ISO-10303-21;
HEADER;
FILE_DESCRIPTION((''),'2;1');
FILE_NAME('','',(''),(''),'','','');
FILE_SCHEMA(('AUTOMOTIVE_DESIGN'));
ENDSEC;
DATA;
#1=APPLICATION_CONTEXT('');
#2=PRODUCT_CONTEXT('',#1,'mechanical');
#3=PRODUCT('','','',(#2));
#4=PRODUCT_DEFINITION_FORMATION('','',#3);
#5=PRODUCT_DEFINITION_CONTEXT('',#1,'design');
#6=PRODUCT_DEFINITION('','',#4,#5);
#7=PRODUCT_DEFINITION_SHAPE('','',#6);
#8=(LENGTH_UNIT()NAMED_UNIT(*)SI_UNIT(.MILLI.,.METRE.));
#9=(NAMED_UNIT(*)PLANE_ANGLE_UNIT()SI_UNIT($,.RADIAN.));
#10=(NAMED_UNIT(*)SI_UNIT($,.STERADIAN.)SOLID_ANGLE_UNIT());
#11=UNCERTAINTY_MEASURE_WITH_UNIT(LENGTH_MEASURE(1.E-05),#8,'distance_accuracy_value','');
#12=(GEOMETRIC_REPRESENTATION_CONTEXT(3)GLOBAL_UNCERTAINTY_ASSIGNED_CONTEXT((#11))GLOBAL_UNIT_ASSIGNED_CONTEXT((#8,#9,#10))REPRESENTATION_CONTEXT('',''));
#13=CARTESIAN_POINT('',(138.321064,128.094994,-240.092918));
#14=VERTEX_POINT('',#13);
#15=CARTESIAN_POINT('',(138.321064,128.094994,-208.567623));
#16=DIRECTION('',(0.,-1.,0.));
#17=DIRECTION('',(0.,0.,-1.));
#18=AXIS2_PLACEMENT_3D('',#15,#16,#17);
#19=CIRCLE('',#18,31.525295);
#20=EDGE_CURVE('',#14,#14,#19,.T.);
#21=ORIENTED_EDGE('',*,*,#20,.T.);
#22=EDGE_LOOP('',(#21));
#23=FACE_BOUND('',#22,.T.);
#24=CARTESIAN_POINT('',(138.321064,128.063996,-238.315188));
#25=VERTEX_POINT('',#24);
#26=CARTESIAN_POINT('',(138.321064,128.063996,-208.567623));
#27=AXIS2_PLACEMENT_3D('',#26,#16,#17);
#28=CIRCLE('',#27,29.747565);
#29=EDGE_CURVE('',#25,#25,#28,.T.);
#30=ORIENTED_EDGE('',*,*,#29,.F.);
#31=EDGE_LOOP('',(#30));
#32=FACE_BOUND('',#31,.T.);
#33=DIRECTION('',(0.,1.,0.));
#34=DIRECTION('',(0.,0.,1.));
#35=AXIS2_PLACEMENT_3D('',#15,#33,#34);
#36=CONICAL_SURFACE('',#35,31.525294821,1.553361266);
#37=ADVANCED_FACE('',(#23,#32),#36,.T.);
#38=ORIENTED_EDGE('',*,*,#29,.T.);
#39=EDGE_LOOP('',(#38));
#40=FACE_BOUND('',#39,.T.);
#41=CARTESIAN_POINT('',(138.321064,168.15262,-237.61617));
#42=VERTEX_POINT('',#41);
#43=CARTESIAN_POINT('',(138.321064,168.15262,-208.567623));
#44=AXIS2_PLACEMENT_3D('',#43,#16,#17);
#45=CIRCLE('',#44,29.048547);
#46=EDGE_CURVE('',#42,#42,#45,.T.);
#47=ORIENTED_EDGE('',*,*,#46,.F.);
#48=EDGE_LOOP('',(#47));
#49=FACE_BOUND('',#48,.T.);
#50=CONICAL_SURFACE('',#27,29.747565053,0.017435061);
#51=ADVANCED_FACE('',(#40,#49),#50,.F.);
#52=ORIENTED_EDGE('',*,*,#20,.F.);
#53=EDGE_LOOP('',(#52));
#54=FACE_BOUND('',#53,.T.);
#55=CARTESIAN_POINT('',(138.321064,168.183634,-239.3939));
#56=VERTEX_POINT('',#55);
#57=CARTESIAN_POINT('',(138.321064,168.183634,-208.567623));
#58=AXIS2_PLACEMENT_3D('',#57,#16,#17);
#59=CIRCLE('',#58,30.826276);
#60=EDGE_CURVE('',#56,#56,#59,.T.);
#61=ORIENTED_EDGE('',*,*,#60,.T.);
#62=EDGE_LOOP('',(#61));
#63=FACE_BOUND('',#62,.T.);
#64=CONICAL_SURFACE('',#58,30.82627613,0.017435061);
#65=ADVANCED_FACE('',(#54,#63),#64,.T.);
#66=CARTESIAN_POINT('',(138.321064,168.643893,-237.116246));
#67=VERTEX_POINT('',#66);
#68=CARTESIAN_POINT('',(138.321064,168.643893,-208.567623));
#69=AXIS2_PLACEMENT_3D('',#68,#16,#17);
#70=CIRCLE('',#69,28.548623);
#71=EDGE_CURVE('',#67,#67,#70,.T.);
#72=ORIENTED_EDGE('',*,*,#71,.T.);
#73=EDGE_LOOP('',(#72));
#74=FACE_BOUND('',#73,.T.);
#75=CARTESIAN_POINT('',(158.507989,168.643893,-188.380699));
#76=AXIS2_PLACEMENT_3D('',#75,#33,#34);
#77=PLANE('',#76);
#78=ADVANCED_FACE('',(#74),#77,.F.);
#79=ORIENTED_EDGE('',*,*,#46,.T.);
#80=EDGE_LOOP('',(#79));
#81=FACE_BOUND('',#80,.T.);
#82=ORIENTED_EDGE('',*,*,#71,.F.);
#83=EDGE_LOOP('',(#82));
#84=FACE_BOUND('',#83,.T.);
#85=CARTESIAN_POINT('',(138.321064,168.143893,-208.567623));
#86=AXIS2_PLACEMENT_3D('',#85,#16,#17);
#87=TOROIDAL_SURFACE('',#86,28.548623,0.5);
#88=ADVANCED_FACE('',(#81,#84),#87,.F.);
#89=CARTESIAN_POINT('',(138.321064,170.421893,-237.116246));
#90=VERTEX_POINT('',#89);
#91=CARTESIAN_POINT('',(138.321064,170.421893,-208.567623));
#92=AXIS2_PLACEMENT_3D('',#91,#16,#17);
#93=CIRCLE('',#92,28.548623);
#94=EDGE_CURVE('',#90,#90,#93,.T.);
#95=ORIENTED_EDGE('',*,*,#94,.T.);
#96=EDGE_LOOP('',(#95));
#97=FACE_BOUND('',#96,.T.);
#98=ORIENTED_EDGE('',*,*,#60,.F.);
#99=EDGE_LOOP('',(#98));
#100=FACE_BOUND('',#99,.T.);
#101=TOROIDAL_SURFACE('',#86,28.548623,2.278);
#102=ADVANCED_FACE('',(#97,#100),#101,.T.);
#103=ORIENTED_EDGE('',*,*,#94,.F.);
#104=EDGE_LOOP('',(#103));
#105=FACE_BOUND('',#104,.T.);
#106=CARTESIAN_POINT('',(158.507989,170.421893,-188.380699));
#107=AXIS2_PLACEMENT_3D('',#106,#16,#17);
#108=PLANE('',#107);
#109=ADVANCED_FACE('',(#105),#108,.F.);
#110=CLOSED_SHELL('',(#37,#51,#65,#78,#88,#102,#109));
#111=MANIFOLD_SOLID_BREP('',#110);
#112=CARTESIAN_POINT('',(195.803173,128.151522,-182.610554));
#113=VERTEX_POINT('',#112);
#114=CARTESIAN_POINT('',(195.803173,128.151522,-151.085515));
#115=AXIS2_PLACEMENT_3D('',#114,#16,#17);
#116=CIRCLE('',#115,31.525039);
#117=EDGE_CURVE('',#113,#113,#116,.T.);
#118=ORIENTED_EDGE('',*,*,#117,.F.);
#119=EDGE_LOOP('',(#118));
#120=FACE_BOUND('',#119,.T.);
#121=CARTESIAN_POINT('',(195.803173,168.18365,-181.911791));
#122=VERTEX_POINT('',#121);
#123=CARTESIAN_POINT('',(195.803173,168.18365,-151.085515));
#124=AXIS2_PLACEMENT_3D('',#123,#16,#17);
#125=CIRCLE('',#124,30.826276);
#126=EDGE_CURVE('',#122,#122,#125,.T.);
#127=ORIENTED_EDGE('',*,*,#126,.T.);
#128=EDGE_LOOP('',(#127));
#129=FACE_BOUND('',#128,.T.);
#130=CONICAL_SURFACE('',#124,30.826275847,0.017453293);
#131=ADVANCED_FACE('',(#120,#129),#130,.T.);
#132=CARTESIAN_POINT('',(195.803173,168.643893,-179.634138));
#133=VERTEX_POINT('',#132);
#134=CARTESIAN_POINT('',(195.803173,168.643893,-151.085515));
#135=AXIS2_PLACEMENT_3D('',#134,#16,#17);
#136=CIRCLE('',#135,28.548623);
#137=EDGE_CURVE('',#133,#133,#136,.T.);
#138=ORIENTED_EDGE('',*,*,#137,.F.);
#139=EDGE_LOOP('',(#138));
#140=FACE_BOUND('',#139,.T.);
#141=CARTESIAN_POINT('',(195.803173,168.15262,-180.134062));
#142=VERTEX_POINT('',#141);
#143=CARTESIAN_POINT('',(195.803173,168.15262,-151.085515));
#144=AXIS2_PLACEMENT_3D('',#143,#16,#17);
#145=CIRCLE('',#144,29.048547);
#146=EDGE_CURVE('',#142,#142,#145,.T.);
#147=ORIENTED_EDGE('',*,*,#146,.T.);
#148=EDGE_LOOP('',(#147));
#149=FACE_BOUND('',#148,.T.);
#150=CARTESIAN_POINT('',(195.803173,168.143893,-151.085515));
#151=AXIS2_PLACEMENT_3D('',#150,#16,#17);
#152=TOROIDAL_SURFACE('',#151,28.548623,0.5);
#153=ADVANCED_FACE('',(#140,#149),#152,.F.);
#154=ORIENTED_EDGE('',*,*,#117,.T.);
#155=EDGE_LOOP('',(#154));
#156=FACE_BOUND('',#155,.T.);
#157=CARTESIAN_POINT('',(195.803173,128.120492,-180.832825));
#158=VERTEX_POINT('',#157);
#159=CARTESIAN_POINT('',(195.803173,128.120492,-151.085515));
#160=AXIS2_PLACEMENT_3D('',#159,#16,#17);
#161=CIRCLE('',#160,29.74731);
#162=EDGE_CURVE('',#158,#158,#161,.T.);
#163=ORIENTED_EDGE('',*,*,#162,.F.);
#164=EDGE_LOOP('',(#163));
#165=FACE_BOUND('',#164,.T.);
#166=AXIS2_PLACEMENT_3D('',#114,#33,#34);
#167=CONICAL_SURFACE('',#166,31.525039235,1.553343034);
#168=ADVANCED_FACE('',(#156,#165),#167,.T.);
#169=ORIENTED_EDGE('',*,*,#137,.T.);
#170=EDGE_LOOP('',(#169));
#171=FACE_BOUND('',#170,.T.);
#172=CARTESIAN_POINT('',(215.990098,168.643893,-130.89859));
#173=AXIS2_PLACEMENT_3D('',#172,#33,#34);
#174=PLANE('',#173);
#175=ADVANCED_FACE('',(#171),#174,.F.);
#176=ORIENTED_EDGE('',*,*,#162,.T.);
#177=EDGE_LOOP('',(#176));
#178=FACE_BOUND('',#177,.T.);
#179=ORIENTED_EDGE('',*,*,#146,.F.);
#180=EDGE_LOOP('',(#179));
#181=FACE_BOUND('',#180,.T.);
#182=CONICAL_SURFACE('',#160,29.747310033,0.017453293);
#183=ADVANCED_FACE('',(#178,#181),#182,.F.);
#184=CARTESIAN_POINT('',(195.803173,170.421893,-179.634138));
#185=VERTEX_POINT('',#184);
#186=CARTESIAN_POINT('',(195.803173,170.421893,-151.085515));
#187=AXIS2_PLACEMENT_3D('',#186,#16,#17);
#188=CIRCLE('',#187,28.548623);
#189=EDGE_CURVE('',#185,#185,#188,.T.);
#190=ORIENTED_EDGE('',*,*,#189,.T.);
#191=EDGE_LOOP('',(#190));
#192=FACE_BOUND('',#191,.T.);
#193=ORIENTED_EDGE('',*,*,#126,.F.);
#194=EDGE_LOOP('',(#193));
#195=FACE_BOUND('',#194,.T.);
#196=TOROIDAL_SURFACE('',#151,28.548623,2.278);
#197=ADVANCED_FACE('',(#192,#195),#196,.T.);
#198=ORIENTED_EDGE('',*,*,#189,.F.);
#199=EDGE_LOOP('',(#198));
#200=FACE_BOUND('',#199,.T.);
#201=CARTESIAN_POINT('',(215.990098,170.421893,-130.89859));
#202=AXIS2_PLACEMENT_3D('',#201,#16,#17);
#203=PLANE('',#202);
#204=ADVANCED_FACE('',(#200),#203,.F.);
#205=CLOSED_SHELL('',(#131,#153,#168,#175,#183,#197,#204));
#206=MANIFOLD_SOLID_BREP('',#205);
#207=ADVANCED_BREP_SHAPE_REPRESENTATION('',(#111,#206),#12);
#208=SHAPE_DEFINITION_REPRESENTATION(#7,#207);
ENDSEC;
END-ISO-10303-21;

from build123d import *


with BuildPart() as part:
    # Sketch3 → Revolve1 (revolve)
    with BuildSketch(Plane(origin=(173.444343939, 0, -173.444343939), x_dir=(-0.7071067811865471, 0, -0.707106781186548), z_dir=(0.707106781186548, 0, -0.7071067811865471)), mode=Mode.PRIVATE) as revolve1_sk:
        with BuildLine():
            Line((-61.367469068, 128.12049189), (-60.66870568, 168.152619588))
            ThreePointArc((-60.66870568, 168.152619588), (-60.519236464, 168.50051861), (-60.168781832, 168.643893385))
            Line((-60.168781832, 168.643893385), (-31.620159035, 168.643893385))
            Line((-31.620159035, 168.643893385), (-31.620159035, 170.421893385))
            Line((-31.620159035, 170.421893385), (-60.168781832, 170.421893385))
            ThreePointArc((-60.168781832, 170.421893385), (-61.765453136, 169.768677908), (-62.446434882, 168.183649967))
            Line((-62.446434882, 168.183649967), (-63.14519827, 128.151522268))
            Line((-63.14519827, 128.151522268), (-61.367469068, 128.12049189))
        make_face()
    revolve(revolve1_sk.sketch.rotate(Axis((195.803172815, 170.421893385, -151.085515063), (0, 1, 0)), 135), axis=Axis((195.803172815, 170.421893385, -151.085515063), (0, 1, 0)))


with BuildPart() as body_2:
    # Sketch4 → Revolve2 (revolve)
    with BuildSketch(Plane(origin=(173.444343939, 0, -173.444343939), x_dir=(-0.7071067811865471, 0, -0.707106781186548), z_dir=(0.707106781186548, 0, -0.7071067811865471)), mode=Mode.PRIVATE) as revolve2_sk:
        with BuildLine():
            Line((19.924253169, 128.063996333), (20.623271577, 168.152619588))
            ThreePointArc((20.623271577, 168.152619588), (20.772740793, 168.50051861), (21.123195425, 168.643893385))
            Line((21.123195425, 168.643893385), (49.671818222, 168.643893385))
            Line((49.671818222, 168.643893385), (49.671818222, 170.421893385))
            Line((49.671818222, 170.421893385), (21.123195425, 170.421893385))
            ThreePointArc((21.123195425, 170.421893385), (19.526518341, 169.768672228), (18.845542093, 168.183633761))
            Line((18.845542093, 168.183633761), (18.146523402, 128.0949943))
            Line((18.146523402, 128.0949943), (19.924253169, 128.063996333))
        make_face()
    revolve(revolve2_sk.sketch.rotate(Axis((138.32106444, 168.643893385, -208.567623438), (0, 1, 0)), 135), axis=Axis((138.32106444, 168.643893385, -208.567623438), (0, 1, 0)))


solid = Compound([part.part, body_2.part])
